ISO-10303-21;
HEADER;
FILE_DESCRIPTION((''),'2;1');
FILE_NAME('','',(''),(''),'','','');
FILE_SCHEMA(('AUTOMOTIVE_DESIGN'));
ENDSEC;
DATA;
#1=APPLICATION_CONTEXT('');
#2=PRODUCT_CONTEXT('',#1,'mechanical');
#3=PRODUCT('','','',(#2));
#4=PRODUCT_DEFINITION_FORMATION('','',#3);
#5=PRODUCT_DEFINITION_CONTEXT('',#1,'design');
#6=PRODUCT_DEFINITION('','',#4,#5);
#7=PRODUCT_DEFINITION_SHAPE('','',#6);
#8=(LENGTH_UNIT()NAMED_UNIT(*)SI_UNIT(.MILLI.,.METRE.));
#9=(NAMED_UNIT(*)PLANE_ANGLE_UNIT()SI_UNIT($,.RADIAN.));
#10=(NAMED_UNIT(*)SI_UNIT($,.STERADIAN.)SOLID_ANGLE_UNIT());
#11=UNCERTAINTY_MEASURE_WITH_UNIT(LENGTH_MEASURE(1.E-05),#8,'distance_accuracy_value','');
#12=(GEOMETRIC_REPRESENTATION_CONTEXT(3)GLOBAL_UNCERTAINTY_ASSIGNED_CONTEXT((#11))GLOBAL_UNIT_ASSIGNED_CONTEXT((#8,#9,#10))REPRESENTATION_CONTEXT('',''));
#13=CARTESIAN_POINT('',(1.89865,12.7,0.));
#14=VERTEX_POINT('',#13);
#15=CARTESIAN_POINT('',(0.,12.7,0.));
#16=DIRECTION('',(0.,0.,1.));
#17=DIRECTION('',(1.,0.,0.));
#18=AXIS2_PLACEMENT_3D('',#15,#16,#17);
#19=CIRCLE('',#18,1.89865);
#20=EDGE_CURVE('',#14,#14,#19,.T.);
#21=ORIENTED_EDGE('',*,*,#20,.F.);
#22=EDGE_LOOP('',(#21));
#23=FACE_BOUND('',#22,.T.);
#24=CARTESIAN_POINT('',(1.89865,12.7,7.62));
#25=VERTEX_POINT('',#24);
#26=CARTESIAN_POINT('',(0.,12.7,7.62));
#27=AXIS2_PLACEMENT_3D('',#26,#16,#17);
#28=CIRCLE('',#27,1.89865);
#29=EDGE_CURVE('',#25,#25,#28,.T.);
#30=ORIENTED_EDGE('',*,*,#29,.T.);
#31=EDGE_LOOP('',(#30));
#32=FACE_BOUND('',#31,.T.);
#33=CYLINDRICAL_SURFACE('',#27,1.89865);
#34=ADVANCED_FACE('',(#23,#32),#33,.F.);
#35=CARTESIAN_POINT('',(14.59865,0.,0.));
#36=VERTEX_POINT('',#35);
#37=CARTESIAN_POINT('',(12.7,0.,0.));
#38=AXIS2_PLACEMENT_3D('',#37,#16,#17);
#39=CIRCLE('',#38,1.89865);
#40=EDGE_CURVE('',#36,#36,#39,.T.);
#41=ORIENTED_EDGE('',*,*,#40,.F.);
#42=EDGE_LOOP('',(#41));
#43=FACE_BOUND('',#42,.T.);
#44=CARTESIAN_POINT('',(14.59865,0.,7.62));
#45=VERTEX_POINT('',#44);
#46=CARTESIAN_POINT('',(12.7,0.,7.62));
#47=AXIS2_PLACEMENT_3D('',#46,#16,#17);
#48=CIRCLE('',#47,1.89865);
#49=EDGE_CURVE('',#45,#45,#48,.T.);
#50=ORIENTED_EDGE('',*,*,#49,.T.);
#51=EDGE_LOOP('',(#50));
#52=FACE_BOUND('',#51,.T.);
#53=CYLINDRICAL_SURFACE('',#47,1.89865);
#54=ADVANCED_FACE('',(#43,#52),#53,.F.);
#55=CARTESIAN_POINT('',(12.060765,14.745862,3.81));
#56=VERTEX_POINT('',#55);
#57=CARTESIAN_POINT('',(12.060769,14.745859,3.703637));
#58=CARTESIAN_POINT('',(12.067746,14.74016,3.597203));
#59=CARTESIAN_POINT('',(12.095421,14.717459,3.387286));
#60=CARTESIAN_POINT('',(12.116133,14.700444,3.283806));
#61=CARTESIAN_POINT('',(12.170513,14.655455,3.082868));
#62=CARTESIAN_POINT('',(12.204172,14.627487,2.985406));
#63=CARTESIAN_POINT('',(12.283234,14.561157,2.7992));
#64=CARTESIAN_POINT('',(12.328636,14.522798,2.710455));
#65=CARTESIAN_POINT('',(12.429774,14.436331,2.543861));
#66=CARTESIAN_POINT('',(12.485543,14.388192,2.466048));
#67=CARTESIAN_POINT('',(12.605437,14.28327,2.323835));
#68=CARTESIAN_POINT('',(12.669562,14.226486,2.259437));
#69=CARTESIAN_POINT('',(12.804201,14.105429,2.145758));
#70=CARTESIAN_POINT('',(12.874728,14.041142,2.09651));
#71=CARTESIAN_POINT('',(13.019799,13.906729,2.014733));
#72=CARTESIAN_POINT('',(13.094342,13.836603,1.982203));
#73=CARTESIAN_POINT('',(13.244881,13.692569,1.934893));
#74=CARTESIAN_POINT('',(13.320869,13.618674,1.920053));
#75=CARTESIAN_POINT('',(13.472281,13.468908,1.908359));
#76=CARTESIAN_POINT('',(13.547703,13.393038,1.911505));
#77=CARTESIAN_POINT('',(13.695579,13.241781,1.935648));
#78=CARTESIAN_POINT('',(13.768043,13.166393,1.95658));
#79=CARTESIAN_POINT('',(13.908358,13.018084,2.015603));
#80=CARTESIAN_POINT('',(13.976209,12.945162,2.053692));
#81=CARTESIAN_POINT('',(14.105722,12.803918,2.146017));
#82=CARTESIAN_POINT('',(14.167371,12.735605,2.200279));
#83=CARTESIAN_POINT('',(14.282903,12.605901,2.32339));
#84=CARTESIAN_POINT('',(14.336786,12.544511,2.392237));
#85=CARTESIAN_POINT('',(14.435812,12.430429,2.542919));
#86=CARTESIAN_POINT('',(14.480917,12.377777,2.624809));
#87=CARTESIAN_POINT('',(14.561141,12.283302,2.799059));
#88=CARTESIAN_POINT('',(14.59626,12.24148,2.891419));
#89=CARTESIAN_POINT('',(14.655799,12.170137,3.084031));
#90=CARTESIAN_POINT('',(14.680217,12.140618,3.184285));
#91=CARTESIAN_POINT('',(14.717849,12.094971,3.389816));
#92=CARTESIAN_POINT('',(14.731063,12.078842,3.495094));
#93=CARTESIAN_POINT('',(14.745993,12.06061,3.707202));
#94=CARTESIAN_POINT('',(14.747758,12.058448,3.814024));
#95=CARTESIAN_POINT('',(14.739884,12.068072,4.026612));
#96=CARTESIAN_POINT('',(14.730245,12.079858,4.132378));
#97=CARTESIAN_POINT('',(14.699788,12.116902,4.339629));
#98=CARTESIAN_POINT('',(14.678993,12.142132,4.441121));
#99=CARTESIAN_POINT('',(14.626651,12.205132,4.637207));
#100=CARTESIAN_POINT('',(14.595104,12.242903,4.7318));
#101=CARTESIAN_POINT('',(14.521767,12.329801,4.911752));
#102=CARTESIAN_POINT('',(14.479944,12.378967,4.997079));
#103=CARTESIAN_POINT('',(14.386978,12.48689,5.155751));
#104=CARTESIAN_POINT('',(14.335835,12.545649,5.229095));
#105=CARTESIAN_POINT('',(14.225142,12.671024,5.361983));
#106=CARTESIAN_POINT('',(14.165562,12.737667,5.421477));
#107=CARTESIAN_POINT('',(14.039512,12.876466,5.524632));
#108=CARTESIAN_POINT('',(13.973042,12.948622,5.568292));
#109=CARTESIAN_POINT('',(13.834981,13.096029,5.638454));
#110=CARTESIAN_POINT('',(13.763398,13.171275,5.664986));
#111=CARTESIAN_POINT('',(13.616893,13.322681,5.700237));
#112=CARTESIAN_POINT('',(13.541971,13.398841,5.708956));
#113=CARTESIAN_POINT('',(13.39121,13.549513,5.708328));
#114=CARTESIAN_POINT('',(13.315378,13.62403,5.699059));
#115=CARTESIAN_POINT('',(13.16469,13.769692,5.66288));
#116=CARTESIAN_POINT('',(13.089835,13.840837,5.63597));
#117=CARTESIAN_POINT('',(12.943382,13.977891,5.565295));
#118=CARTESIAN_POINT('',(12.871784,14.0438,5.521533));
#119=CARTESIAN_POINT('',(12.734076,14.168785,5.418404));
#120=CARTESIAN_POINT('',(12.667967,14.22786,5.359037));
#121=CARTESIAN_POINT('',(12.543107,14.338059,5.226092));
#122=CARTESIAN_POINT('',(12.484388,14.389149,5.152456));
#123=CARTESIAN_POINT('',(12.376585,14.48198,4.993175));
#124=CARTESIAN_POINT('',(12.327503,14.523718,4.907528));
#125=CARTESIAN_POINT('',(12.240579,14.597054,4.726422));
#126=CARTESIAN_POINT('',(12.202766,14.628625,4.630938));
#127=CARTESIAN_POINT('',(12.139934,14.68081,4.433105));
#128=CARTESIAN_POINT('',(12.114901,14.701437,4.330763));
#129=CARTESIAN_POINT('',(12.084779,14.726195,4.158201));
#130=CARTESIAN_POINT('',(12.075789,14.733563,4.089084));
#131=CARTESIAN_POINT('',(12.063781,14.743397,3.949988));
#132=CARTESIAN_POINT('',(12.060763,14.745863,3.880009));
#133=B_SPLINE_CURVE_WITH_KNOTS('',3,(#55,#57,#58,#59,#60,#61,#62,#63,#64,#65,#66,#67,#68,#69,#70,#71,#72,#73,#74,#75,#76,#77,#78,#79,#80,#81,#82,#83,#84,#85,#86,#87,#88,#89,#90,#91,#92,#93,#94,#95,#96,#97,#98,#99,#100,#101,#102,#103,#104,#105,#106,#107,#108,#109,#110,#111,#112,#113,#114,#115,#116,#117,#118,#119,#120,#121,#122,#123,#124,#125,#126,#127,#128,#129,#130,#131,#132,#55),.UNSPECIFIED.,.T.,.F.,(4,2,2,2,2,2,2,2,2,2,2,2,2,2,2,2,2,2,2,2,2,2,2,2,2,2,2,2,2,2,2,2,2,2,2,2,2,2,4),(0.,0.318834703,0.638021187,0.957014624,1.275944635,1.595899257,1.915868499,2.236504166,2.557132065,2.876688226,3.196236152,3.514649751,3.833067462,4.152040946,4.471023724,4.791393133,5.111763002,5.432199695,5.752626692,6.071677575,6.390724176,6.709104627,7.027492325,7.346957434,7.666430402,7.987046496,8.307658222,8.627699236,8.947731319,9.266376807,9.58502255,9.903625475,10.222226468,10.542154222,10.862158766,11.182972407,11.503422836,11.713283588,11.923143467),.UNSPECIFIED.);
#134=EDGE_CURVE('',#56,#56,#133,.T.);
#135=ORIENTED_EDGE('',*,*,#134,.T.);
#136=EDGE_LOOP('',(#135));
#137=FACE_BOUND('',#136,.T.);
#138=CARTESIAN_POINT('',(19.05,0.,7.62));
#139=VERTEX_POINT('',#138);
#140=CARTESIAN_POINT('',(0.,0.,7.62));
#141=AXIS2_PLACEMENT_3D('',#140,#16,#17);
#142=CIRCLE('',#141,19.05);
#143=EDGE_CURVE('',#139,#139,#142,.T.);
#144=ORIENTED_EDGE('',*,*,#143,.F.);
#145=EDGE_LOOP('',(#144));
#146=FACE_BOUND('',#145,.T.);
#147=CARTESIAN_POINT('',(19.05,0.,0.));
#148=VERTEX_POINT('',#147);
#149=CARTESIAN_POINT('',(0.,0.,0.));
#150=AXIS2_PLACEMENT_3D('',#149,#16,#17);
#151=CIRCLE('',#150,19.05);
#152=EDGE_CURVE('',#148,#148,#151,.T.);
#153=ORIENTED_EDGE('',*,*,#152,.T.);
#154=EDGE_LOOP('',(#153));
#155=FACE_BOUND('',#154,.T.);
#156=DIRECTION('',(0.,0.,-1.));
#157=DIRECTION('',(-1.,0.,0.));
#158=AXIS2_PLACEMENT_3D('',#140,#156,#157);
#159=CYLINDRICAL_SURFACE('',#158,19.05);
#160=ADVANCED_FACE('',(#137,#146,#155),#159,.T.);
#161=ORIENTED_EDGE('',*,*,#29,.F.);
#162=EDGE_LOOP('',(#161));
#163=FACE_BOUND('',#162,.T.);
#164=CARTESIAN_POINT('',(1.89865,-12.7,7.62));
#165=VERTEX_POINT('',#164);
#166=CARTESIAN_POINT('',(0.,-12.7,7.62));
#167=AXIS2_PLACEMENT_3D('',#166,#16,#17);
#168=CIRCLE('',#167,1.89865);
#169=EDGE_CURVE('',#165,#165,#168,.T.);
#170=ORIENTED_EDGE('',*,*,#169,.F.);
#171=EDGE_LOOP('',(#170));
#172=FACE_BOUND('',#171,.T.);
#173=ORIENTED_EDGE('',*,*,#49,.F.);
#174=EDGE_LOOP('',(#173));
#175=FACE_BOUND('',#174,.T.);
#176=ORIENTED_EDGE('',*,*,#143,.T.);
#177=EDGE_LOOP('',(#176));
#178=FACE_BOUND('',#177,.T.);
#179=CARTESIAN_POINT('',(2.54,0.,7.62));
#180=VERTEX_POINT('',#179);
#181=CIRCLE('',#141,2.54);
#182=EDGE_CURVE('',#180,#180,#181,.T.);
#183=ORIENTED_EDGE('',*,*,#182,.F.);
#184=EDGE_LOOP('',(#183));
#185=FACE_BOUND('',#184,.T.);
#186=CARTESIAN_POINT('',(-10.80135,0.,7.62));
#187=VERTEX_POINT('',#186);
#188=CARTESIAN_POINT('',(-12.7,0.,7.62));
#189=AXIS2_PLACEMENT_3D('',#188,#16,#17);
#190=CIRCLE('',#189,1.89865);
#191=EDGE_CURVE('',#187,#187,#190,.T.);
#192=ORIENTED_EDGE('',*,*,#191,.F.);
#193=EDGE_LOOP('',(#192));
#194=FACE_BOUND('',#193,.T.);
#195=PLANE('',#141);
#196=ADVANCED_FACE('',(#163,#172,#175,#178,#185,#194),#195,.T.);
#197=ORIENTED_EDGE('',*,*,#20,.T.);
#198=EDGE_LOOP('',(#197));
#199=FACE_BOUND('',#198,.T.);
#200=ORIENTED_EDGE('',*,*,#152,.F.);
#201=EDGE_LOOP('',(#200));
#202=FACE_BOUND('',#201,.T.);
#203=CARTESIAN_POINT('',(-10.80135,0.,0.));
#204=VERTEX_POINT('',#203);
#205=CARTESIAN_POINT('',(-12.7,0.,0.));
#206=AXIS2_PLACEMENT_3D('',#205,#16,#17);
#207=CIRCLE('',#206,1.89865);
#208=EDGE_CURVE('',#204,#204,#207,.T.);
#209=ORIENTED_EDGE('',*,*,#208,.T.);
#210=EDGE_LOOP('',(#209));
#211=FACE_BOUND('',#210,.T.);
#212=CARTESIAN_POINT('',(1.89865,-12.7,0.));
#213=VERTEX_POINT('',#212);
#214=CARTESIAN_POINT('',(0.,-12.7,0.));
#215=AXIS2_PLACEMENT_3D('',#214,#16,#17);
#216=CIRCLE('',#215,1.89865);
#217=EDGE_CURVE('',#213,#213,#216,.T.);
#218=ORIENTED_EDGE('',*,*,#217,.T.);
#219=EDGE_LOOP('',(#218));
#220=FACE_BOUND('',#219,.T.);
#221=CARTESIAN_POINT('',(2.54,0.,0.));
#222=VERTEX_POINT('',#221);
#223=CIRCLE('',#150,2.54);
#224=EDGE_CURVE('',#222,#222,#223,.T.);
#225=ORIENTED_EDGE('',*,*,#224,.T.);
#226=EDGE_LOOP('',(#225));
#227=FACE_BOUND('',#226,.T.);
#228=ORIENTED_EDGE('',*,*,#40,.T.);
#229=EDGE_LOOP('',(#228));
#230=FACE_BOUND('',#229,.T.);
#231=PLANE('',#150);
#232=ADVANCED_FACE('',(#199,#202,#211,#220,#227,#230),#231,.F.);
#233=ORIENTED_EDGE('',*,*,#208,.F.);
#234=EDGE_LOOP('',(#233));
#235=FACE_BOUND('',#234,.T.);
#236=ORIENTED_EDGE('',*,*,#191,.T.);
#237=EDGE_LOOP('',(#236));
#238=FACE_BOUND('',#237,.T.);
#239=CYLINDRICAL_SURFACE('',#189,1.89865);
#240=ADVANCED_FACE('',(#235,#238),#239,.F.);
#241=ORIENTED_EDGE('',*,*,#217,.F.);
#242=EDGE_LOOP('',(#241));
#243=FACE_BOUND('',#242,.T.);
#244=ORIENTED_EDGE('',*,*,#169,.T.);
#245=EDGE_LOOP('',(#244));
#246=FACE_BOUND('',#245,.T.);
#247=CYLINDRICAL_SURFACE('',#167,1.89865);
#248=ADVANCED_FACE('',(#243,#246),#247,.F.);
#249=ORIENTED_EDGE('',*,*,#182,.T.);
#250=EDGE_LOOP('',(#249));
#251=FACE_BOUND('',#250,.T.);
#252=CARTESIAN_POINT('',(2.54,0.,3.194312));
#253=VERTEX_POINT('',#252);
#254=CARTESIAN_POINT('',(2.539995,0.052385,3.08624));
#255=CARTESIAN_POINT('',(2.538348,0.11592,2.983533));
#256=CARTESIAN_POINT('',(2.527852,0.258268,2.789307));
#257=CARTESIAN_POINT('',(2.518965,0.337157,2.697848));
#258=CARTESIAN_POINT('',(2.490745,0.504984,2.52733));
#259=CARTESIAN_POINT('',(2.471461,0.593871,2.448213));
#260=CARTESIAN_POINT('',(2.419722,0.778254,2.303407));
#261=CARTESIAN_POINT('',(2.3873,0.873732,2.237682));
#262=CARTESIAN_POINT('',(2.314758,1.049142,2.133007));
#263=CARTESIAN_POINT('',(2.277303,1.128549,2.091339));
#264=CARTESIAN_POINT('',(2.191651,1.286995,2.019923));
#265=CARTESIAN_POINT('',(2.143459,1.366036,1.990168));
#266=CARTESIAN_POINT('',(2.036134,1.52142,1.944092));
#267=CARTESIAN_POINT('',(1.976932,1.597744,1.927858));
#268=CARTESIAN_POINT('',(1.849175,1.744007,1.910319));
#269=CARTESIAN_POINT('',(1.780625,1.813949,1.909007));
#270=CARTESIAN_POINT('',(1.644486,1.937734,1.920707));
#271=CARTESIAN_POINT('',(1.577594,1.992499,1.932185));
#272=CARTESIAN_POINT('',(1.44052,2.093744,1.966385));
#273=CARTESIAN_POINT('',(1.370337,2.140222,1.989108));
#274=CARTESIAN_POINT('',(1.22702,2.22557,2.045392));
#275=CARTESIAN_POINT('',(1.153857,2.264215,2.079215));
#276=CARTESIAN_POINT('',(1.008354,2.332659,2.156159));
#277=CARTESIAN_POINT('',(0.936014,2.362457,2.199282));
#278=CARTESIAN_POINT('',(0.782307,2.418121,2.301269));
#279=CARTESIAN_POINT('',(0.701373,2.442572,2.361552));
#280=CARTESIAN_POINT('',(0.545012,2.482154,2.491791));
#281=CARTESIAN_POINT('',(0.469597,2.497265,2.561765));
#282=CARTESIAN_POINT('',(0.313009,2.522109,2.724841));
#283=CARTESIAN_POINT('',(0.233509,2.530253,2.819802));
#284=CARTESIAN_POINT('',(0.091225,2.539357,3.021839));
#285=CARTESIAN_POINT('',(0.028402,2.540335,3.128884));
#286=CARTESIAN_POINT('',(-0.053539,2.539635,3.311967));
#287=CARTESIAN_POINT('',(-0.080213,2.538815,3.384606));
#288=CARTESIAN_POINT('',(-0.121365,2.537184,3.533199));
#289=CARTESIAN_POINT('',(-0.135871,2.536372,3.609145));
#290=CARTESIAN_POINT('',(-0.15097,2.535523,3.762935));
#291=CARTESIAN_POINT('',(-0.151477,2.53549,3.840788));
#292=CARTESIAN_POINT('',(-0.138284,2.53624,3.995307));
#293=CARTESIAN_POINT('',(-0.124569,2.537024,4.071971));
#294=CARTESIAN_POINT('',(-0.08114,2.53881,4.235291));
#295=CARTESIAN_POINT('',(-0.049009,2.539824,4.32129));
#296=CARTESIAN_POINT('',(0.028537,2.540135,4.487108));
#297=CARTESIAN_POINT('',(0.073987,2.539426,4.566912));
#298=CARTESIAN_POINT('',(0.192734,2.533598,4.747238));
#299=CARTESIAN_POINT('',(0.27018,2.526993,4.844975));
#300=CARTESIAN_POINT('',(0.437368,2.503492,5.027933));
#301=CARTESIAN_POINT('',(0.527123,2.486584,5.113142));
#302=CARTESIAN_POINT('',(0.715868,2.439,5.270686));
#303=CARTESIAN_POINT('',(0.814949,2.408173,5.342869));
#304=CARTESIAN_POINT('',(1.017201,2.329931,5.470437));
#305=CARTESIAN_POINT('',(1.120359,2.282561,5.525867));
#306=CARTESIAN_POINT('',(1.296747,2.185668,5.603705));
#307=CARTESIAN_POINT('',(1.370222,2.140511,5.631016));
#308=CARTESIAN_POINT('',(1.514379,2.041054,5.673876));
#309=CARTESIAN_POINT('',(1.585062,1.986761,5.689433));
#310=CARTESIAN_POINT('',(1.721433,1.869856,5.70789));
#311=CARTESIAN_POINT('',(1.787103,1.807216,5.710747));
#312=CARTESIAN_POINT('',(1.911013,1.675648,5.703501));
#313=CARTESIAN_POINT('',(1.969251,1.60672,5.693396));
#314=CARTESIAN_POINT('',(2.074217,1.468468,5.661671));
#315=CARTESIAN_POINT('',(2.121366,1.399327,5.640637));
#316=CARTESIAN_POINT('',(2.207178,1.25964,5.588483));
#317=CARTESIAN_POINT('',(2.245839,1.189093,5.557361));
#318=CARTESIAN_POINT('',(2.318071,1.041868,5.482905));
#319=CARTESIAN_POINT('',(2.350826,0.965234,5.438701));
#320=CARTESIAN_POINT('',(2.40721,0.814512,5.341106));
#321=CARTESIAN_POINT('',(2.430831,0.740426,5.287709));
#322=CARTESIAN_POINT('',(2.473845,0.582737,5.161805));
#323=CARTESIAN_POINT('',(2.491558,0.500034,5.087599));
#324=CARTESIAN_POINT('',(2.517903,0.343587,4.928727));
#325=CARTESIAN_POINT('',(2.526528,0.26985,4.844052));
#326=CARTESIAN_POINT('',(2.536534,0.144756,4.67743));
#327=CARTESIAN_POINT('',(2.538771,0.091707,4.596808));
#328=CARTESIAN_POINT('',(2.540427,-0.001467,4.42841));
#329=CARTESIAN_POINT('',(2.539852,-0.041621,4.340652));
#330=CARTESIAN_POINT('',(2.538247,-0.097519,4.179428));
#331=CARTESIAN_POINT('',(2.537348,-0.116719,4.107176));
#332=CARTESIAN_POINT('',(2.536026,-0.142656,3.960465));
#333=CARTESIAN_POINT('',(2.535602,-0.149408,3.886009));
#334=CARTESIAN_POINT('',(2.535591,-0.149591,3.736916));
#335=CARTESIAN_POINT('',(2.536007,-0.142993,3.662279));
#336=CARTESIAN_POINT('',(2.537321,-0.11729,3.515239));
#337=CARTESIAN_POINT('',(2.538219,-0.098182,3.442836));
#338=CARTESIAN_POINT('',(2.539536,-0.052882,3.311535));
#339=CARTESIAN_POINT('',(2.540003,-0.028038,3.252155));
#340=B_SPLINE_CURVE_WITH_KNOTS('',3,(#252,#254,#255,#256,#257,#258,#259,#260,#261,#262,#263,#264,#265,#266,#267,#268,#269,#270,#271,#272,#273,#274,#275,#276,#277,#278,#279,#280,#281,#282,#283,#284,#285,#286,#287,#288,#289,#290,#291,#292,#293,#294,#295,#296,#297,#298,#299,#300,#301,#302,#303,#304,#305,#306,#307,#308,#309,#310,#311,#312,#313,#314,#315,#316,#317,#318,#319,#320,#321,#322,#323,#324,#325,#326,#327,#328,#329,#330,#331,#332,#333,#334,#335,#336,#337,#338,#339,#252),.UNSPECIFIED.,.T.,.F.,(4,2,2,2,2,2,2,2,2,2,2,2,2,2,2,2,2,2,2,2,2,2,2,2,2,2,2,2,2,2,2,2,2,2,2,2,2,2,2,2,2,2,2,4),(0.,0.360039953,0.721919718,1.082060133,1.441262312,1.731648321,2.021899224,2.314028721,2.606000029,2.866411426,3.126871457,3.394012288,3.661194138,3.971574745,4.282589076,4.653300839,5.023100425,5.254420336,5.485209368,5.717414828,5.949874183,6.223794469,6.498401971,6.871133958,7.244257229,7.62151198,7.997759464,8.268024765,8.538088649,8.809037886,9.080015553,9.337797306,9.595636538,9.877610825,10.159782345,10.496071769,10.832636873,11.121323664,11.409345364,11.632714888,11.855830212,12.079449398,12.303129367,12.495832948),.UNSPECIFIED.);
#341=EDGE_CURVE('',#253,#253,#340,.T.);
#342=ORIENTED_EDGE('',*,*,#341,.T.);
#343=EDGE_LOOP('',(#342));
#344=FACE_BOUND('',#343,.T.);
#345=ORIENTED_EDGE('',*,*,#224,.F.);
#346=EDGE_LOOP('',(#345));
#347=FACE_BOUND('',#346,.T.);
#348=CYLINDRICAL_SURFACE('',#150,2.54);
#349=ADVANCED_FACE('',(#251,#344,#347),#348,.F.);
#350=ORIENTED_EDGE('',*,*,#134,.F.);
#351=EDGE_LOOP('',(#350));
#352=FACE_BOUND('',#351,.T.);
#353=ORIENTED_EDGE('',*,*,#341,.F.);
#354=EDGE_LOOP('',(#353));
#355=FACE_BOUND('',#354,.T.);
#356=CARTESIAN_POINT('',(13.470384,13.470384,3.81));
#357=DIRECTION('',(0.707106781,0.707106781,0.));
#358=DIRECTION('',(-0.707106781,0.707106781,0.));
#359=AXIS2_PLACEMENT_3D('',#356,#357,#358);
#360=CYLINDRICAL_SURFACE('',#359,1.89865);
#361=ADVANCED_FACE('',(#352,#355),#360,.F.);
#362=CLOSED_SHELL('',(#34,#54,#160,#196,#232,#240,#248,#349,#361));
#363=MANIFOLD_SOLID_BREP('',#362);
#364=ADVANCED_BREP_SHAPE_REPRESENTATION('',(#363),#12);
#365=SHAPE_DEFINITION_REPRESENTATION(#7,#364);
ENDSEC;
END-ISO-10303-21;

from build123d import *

# Parameters (mm, degrees)
SKETCH1_R                  = 19.05
BOSS_EXTRUDE1_DEPTH        = 7.62
SKETCH2_R                  = 2.54
CUT_EXTRUDE1_DEPTH         = 8.62
F_10_24_TAPPED_HOLE1_D     = 3.7973
CIRPATTERN1_COUNT          = 4
F_10_24_TAPPED_HOLE4_D     = 3.7973
F_10_24_TAPPED_HOLE4_DEPTH = 20.0279
F_10_24_TAPPED_HOLE4_TIP   = 1.140824014


with BuildPart() as part:
    # Sketch1 → Boss-Extrude1 (new body)
    with BuildSketch(Plane.XY):
        Circle(SKETCH1_R)
    extrude(amount=BOSS_EXTRUDE1_DEPTH)

    # Sketch2 → Cut-Extrude1 (cut, through all)
    with BuildSketch(Plane.XY.offset(7.62)):
        Circle(SKETCH2_R)
    extrude(amount=-CUT_EXTRUDE1_DEPTH, mode=Mode.SUBTRACT)

    # #10-24 Tapped Hole1 (through all)
    with Locations(Plane.XY.offset(7.62)):
        with Locations((0, 12.7)):
            f_10_24_tapped_hole1 = Hole(F_10_24_TAPPED_HOLE1_D / 2)

    # CirPattern1: #10-24 Tapped Hole1 ×4 about axis
    cirpattern1_axis = Axis((0, 0, 0), (0, 0, 1))
    for i in range(1, CIRPATTERN1_COUNT):
        add(f_10_24_tapped_hole1.rotate(cirpattern1_axis, i * 360 / CIRPATTERN1_COUNT), mode=Mode.SUBTRACT)

    # #10-24 Tapped Hole4
    with Locations(Plane(origin=(13.470384182, 13.470384182, 7.62), x_dir=(-0.707106781, 0.707106781, 0), z_dir=(0.707106781, 0.707106781, 0))):
        with Locations((0, -3.81)):
            Hole(F_10_24_TAPPED_HOLE4_D / 2, depth=F_10_24_TAPPED_HOLE4_DEPTH)
            with Locations((0, 0, -(F_10_24_TAPPED_HOLE4_DEPTH + F_10_24_TAPPED_HOLE4_TIP / 2))):  # 118° drill point
                Cone(0, F_10_24_TAPPED_HOLE4_D / 2, F_10_24_TAPPED_HOLE4_TIP, mode=Mode.SUBTRACT)


solid = part.part
